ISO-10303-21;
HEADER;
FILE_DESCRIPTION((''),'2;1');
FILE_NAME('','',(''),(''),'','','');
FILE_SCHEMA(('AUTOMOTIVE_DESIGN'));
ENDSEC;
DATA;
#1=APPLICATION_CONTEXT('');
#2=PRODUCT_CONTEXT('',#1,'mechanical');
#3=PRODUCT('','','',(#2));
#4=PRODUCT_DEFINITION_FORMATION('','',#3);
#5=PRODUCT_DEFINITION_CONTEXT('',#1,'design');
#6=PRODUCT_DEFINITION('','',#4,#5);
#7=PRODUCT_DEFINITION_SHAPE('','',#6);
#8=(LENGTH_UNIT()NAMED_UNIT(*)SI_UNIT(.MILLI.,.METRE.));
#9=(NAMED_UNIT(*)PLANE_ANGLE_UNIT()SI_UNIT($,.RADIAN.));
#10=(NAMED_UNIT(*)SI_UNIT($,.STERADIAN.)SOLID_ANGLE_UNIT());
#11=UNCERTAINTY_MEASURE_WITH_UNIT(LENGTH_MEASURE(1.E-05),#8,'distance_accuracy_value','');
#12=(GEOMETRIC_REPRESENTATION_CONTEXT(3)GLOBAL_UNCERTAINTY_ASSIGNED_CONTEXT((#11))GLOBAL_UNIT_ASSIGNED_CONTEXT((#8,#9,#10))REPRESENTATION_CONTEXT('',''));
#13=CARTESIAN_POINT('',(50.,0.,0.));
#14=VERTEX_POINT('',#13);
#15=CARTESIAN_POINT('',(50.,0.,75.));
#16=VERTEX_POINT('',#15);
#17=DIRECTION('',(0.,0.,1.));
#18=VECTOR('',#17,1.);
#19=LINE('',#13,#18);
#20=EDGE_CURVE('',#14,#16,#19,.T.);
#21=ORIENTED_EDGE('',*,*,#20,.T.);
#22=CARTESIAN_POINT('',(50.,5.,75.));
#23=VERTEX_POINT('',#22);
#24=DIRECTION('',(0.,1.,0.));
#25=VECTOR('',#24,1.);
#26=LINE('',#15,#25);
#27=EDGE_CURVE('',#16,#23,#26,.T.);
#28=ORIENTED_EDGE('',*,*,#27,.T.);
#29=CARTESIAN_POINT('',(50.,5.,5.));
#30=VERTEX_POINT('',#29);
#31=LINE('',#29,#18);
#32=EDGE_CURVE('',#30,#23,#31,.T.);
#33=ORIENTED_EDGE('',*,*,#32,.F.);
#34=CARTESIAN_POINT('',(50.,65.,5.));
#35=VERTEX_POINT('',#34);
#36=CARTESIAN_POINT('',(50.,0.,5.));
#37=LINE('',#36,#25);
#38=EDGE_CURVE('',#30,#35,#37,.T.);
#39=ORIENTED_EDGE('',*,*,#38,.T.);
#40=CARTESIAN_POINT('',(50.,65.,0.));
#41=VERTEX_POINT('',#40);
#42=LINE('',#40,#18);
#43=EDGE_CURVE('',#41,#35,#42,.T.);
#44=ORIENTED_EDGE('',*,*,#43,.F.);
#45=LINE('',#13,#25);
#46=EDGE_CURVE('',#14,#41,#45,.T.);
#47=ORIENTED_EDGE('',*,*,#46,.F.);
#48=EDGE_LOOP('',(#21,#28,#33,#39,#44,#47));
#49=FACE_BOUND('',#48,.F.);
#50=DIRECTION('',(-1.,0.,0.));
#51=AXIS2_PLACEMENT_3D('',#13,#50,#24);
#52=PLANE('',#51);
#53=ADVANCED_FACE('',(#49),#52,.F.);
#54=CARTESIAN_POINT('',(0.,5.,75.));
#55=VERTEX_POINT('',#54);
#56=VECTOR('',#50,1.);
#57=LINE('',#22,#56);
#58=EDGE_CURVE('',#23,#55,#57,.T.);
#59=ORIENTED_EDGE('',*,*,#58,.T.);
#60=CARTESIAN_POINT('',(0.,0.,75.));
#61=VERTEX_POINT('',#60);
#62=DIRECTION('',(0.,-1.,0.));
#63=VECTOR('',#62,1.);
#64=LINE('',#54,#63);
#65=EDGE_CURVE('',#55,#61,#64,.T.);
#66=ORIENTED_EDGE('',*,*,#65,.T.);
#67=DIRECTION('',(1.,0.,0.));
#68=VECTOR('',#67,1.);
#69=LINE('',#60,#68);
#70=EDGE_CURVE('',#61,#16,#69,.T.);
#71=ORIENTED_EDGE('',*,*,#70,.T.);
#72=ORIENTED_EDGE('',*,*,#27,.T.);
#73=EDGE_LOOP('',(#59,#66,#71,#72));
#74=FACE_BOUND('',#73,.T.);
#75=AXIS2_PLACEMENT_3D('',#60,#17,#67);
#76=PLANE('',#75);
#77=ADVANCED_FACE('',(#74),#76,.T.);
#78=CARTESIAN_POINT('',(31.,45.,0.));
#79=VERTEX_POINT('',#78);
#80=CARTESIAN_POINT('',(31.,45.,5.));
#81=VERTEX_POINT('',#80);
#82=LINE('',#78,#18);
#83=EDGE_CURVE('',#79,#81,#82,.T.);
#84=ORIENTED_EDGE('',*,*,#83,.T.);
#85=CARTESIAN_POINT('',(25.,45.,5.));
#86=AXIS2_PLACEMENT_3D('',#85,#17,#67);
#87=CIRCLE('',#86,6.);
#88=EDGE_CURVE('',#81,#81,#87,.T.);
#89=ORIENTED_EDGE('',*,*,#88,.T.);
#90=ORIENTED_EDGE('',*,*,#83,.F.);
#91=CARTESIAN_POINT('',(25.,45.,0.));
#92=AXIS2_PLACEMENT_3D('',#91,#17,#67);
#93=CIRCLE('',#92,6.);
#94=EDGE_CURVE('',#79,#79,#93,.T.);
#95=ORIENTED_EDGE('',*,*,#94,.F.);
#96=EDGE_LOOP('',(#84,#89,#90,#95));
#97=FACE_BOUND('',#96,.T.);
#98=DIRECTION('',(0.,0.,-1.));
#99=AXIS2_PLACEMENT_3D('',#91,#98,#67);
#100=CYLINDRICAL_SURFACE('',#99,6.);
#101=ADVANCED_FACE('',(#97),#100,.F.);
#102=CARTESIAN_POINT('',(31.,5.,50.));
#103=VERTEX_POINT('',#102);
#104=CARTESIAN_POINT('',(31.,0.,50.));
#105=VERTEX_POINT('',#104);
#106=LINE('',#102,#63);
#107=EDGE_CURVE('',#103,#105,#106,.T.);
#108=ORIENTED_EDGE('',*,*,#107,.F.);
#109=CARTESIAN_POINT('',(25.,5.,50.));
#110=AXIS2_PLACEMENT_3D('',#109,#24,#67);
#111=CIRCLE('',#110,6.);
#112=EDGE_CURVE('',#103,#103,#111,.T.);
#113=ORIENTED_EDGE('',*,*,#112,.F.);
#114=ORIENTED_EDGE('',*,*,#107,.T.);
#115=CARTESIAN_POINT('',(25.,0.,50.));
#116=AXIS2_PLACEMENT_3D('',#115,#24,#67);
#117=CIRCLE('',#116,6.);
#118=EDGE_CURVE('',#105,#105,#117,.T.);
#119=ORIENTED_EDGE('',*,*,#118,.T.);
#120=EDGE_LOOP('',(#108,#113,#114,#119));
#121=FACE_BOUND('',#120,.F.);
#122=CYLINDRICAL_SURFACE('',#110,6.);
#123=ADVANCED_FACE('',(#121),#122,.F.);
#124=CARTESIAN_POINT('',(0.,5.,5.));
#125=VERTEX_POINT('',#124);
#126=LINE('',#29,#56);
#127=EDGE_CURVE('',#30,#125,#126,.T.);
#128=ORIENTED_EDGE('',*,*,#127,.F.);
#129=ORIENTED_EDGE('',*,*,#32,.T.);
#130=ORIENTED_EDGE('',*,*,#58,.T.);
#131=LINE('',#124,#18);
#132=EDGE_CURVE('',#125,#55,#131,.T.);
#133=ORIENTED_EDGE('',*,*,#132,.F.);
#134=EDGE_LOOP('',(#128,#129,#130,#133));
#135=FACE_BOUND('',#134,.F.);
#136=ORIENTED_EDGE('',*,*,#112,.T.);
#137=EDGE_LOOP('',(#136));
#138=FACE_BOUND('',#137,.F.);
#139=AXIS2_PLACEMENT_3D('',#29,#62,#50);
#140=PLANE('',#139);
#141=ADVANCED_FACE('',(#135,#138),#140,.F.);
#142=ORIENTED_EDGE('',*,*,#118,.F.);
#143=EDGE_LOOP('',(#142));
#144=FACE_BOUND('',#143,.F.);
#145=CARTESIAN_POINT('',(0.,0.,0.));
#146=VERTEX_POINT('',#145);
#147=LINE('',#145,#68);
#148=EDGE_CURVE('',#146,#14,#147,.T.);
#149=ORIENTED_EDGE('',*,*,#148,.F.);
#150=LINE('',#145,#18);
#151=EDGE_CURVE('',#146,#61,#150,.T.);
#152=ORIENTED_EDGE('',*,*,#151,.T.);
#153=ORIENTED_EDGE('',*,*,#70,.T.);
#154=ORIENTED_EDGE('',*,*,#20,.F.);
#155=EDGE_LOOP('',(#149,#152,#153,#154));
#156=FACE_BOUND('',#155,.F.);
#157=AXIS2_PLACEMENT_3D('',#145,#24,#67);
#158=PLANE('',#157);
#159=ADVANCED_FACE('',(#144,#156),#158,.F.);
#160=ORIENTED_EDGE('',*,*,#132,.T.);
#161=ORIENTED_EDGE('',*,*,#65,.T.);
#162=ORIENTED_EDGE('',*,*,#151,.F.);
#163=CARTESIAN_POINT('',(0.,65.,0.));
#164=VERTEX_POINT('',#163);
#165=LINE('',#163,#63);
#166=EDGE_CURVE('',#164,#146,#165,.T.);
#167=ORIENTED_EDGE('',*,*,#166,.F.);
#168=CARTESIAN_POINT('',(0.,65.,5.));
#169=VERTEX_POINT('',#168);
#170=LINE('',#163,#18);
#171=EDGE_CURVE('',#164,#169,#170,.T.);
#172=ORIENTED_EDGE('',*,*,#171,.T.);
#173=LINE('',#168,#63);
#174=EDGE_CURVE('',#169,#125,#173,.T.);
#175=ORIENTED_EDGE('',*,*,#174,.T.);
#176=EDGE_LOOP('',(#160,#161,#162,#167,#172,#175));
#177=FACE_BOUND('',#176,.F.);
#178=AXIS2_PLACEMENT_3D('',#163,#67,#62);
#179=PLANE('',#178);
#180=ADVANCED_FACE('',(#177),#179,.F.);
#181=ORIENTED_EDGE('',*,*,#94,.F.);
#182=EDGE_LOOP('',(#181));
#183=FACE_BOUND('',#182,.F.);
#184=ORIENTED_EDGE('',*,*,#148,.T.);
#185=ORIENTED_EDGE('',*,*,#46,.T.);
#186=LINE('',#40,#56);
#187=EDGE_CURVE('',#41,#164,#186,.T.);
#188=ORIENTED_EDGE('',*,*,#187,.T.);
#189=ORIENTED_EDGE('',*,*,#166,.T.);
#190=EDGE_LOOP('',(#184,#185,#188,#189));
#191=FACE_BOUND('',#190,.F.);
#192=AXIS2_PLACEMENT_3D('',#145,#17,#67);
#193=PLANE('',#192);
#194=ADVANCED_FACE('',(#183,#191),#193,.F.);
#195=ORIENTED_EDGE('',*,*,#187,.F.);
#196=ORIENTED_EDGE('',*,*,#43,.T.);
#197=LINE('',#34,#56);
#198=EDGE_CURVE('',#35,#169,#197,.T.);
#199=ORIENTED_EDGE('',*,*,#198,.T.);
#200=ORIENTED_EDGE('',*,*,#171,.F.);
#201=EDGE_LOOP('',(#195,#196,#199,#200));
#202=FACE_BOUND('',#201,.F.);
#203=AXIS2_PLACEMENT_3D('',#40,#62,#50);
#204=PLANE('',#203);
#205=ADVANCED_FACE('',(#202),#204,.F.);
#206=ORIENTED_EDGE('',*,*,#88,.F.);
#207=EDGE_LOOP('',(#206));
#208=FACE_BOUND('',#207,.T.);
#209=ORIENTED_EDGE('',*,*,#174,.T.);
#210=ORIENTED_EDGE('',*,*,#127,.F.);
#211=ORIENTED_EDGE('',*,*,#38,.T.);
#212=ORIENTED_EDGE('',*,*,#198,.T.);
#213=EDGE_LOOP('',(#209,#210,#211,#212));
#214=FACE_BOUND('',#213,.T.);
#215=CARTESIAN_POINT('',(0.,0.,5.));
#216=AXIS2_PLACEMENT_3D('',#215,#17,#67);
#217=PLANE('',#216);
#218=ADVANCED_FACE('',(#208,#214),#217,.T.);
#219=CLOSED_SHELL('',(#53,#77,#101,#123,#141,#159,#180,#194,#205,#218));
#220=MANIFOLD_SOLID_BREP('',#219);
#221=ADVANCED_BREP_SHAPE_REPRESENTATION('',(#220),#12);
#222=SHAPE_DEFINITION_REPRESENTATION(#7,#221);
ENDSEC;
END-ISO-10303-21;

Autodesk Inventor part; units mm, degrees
ref_plane "YZ Plane" through (0, 0, 0) normal (1, 0, 0) x (0, 1, 0)
ref_plane "XZ Plane" through (0, 0, 0) normal (0, 1, 0) x (-1, 0, 0)
ref_plane "XY Plane" through (0, 0, 0) normal (0, 0, 1) x (1, 0, 0)
sketch "Esboço1" plane through (0, 0, 0) normal (0, 0, 1) x (1, 0, 0)
  line L0 (0, 0) -> (50, 0)
  line L1 (50, 0) -> (50, 65)
  line L2 (50, 65) -> (0, 65)
  line L3 (0, 65) -> (0, 0)
  circle A0 centre (25, 45) radius 6
  dimension "d0" = 50
  dimension "d1" = 65
  dimension "d2" = 12
  dimension "d8" = 45
  dimension "d14" = 25
extrude "Extrusão1" add sketch "Esboço1" along normal blind 5
sketch "Esboço2" plane through (0, 0, 5) normal (0, 0, 1) x (1, 0, 0)
  line L0 (50, 0) -> (50, 65) projected
  line L1 (0, 0) -> (50, 0)
  line L2 (50, 0) -> (50, 5)
  line L3 (50, 5) -> (0, 5)
  line L4 (0, 5) -> (0, 0)
  dimension "d5" = 5
extrude "Extrusão2" add sketch "Esboço2" along normal blind 70
sketch "Esboço3" plane through (0, 5, 5) normal (0, 1, 0) x (1, 0, 0)
  circle A0 centre (25, -45) radius 6
  line L0 (50, -70) -> (0, -70) projected
  line L1 (50, 0) -> (50, -70) projected
  point P0 (0, 5)
  dimension "d9" = 12
  dimension "d10" = 25
  dimension "d11" = 25
extrude "Extrusão3" cut sketch "Esboço3" against normal blind 40
properties part number "Teste Suporte"
